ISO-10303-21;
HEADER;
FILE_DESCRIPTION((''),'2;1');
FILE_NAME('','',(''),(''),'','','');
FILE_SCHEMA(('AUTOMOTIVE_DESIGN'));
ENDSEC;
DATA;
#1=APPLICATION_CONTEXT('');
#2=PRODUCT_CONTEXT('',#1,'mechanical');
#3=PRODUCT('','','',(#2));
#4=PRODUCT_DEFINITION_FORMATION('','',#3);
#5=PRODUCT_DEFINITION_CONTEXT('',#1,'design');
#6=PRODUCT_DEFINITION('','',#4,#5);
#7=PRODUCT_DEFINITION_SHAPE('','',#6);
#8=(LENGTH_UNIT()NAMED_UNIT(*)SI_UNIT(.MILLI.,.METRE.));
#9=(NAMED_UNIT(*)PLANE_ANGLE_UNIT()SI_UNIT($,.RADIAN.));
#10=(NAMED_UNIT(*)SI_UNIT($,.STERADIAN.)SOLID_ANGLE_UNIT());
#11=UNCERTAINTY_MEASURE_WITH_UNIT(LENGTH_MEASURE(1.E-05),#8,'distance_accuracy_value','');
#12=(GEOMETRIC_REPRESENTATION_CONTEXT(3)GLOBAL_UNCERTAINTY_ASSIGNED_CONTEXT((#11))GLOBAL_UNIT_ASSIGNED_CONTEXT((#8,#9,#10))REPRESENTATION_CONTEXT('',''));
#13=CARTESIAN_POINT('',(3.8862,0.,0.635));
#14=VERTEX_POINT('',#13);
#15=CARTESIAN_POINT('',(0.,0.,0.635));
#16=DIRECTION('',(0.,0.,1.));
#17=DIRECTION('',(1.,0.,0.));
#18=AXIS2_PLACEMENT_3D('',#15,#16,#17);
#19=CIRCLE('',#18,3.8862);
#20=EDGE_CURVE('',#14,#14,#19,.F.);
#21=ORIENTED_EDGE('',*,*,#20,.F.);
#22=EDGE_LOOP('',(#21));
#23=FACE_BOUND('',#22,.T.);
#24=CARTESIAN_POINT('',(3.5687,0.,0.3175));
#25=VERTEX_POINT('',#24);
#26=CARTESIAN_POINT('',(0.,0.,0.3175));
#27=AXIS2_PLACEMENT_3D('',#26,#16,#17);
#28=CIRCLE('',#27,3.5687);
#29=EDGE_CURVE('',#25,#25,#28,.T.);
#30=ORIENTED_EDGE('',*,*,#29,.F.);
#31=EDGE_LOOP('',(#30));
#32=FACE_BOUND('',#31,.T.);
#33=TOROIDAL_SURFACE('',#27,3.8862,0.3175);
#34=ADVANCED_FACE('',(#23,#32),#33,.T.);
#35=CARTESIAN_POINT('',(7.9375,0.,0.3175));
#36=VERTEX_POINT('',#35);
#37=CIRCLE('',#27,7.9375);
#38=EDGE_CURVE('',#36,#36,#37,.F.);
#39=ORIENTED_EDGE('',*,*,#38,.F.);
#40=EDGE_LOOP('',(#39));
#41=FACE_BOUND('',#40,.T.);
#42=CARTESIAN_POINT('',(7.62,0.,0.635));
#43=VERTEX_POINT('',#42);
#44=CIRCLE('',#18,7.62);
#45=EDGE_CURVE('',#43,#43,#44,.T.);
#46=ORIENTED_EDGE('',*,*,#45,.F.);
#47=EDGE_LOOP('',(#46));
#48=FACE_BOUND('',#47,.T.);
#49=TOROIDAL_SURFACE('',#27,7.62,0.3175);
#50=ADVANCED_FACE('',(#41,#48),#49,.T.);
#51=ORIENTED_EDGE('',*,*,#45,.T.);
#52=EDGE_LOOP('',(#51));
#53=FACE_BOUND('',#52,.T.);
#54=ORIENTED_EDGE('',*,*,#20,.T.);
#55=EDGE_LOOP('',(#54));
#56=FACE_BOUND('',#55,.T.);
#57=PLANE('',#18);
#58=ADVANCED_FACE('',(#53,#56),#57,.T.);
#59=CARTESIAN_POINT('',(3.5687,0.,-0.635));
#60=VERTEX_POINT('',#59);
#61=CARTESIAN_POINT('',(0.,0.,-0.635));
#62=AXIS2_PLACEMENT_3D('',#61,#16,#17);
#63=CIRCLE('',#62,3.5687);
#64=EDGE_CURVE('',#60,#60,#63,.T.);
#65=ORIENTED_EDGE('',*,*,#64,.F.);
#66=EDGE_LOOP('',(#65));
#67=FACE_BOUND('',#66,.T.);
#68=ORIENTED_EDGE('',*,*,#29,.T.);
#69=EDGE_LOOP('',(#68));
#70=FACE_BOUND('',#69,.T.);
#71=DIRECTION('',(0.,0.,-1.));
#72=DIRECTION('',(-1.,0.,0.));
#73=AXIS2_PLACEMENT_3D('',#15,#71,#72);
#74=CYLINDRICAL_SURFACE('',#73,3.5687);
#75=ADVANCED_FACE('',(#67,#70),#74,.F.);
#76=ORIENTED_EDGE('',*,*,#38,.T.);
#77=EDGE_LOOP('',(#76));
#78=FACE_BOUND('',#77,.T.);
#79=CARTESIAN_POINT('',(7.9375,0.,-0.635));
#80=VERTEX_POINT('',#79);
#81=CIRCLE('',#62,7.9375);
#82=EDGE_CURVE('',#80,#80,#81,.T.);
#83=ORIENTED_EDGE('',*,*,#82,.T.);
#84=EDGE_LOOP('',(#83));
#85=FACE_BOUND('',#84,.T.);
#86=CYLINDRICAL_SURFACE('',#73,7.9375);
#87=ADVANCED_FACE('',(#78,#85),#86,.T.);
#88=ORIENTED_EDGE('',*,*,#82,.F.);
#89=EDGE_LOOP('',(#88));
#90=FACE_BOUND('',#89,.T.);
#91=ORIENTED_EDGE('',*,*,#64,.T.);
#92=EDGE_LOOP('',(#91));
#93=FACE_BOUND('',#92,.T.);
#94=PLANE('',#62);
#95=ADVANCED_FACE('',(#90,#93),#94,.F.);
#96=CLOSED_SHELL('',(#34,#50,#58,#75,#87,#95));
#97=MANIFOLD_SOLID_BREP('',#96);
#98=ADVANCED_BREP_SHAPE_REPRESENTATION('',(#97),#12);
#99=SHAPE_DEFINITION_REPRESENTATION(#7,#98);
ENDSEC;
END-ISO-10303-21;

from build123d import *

# Parameters (mm, degrees)
SKETCH3_R                = 7.9375
SKETCH3_R_2              = 3.5687
BOSS_EXTRUDE1_DEPTH      = 0.635
BOSS_EXTRUDE1_DEPTH_BACK = 0.635
FILLET1_R                = 0.3175


with BuildPart() as part:
    # Sketch3 → Boss-Extrude1 (new body, two sides)
    with BuildSketch(Plane.XY) as boss_extrude1_sk:
        Circle(SKETCH3_R)
        Circle(SKETCH3_R_2, mode=Mode.SUBTRACT)
    extrude(amount=BOSS_EXTRUDE1_DEPTH)
    extrude(boss_extrude1_sk.sketch, amount=-BOSS_EXTRUDE1_DEPTH_BACK)

    # Fillet1
    fillet1_edges = [part.edges().sort_by_distance(p)[0] for p in [
        (-7.9375, 0, 0.635),
        (-3.5687, 0, 0.635),
    ]]
    fillet(fillet1_edges, radius=FILLET1_R)


solid = part.part
